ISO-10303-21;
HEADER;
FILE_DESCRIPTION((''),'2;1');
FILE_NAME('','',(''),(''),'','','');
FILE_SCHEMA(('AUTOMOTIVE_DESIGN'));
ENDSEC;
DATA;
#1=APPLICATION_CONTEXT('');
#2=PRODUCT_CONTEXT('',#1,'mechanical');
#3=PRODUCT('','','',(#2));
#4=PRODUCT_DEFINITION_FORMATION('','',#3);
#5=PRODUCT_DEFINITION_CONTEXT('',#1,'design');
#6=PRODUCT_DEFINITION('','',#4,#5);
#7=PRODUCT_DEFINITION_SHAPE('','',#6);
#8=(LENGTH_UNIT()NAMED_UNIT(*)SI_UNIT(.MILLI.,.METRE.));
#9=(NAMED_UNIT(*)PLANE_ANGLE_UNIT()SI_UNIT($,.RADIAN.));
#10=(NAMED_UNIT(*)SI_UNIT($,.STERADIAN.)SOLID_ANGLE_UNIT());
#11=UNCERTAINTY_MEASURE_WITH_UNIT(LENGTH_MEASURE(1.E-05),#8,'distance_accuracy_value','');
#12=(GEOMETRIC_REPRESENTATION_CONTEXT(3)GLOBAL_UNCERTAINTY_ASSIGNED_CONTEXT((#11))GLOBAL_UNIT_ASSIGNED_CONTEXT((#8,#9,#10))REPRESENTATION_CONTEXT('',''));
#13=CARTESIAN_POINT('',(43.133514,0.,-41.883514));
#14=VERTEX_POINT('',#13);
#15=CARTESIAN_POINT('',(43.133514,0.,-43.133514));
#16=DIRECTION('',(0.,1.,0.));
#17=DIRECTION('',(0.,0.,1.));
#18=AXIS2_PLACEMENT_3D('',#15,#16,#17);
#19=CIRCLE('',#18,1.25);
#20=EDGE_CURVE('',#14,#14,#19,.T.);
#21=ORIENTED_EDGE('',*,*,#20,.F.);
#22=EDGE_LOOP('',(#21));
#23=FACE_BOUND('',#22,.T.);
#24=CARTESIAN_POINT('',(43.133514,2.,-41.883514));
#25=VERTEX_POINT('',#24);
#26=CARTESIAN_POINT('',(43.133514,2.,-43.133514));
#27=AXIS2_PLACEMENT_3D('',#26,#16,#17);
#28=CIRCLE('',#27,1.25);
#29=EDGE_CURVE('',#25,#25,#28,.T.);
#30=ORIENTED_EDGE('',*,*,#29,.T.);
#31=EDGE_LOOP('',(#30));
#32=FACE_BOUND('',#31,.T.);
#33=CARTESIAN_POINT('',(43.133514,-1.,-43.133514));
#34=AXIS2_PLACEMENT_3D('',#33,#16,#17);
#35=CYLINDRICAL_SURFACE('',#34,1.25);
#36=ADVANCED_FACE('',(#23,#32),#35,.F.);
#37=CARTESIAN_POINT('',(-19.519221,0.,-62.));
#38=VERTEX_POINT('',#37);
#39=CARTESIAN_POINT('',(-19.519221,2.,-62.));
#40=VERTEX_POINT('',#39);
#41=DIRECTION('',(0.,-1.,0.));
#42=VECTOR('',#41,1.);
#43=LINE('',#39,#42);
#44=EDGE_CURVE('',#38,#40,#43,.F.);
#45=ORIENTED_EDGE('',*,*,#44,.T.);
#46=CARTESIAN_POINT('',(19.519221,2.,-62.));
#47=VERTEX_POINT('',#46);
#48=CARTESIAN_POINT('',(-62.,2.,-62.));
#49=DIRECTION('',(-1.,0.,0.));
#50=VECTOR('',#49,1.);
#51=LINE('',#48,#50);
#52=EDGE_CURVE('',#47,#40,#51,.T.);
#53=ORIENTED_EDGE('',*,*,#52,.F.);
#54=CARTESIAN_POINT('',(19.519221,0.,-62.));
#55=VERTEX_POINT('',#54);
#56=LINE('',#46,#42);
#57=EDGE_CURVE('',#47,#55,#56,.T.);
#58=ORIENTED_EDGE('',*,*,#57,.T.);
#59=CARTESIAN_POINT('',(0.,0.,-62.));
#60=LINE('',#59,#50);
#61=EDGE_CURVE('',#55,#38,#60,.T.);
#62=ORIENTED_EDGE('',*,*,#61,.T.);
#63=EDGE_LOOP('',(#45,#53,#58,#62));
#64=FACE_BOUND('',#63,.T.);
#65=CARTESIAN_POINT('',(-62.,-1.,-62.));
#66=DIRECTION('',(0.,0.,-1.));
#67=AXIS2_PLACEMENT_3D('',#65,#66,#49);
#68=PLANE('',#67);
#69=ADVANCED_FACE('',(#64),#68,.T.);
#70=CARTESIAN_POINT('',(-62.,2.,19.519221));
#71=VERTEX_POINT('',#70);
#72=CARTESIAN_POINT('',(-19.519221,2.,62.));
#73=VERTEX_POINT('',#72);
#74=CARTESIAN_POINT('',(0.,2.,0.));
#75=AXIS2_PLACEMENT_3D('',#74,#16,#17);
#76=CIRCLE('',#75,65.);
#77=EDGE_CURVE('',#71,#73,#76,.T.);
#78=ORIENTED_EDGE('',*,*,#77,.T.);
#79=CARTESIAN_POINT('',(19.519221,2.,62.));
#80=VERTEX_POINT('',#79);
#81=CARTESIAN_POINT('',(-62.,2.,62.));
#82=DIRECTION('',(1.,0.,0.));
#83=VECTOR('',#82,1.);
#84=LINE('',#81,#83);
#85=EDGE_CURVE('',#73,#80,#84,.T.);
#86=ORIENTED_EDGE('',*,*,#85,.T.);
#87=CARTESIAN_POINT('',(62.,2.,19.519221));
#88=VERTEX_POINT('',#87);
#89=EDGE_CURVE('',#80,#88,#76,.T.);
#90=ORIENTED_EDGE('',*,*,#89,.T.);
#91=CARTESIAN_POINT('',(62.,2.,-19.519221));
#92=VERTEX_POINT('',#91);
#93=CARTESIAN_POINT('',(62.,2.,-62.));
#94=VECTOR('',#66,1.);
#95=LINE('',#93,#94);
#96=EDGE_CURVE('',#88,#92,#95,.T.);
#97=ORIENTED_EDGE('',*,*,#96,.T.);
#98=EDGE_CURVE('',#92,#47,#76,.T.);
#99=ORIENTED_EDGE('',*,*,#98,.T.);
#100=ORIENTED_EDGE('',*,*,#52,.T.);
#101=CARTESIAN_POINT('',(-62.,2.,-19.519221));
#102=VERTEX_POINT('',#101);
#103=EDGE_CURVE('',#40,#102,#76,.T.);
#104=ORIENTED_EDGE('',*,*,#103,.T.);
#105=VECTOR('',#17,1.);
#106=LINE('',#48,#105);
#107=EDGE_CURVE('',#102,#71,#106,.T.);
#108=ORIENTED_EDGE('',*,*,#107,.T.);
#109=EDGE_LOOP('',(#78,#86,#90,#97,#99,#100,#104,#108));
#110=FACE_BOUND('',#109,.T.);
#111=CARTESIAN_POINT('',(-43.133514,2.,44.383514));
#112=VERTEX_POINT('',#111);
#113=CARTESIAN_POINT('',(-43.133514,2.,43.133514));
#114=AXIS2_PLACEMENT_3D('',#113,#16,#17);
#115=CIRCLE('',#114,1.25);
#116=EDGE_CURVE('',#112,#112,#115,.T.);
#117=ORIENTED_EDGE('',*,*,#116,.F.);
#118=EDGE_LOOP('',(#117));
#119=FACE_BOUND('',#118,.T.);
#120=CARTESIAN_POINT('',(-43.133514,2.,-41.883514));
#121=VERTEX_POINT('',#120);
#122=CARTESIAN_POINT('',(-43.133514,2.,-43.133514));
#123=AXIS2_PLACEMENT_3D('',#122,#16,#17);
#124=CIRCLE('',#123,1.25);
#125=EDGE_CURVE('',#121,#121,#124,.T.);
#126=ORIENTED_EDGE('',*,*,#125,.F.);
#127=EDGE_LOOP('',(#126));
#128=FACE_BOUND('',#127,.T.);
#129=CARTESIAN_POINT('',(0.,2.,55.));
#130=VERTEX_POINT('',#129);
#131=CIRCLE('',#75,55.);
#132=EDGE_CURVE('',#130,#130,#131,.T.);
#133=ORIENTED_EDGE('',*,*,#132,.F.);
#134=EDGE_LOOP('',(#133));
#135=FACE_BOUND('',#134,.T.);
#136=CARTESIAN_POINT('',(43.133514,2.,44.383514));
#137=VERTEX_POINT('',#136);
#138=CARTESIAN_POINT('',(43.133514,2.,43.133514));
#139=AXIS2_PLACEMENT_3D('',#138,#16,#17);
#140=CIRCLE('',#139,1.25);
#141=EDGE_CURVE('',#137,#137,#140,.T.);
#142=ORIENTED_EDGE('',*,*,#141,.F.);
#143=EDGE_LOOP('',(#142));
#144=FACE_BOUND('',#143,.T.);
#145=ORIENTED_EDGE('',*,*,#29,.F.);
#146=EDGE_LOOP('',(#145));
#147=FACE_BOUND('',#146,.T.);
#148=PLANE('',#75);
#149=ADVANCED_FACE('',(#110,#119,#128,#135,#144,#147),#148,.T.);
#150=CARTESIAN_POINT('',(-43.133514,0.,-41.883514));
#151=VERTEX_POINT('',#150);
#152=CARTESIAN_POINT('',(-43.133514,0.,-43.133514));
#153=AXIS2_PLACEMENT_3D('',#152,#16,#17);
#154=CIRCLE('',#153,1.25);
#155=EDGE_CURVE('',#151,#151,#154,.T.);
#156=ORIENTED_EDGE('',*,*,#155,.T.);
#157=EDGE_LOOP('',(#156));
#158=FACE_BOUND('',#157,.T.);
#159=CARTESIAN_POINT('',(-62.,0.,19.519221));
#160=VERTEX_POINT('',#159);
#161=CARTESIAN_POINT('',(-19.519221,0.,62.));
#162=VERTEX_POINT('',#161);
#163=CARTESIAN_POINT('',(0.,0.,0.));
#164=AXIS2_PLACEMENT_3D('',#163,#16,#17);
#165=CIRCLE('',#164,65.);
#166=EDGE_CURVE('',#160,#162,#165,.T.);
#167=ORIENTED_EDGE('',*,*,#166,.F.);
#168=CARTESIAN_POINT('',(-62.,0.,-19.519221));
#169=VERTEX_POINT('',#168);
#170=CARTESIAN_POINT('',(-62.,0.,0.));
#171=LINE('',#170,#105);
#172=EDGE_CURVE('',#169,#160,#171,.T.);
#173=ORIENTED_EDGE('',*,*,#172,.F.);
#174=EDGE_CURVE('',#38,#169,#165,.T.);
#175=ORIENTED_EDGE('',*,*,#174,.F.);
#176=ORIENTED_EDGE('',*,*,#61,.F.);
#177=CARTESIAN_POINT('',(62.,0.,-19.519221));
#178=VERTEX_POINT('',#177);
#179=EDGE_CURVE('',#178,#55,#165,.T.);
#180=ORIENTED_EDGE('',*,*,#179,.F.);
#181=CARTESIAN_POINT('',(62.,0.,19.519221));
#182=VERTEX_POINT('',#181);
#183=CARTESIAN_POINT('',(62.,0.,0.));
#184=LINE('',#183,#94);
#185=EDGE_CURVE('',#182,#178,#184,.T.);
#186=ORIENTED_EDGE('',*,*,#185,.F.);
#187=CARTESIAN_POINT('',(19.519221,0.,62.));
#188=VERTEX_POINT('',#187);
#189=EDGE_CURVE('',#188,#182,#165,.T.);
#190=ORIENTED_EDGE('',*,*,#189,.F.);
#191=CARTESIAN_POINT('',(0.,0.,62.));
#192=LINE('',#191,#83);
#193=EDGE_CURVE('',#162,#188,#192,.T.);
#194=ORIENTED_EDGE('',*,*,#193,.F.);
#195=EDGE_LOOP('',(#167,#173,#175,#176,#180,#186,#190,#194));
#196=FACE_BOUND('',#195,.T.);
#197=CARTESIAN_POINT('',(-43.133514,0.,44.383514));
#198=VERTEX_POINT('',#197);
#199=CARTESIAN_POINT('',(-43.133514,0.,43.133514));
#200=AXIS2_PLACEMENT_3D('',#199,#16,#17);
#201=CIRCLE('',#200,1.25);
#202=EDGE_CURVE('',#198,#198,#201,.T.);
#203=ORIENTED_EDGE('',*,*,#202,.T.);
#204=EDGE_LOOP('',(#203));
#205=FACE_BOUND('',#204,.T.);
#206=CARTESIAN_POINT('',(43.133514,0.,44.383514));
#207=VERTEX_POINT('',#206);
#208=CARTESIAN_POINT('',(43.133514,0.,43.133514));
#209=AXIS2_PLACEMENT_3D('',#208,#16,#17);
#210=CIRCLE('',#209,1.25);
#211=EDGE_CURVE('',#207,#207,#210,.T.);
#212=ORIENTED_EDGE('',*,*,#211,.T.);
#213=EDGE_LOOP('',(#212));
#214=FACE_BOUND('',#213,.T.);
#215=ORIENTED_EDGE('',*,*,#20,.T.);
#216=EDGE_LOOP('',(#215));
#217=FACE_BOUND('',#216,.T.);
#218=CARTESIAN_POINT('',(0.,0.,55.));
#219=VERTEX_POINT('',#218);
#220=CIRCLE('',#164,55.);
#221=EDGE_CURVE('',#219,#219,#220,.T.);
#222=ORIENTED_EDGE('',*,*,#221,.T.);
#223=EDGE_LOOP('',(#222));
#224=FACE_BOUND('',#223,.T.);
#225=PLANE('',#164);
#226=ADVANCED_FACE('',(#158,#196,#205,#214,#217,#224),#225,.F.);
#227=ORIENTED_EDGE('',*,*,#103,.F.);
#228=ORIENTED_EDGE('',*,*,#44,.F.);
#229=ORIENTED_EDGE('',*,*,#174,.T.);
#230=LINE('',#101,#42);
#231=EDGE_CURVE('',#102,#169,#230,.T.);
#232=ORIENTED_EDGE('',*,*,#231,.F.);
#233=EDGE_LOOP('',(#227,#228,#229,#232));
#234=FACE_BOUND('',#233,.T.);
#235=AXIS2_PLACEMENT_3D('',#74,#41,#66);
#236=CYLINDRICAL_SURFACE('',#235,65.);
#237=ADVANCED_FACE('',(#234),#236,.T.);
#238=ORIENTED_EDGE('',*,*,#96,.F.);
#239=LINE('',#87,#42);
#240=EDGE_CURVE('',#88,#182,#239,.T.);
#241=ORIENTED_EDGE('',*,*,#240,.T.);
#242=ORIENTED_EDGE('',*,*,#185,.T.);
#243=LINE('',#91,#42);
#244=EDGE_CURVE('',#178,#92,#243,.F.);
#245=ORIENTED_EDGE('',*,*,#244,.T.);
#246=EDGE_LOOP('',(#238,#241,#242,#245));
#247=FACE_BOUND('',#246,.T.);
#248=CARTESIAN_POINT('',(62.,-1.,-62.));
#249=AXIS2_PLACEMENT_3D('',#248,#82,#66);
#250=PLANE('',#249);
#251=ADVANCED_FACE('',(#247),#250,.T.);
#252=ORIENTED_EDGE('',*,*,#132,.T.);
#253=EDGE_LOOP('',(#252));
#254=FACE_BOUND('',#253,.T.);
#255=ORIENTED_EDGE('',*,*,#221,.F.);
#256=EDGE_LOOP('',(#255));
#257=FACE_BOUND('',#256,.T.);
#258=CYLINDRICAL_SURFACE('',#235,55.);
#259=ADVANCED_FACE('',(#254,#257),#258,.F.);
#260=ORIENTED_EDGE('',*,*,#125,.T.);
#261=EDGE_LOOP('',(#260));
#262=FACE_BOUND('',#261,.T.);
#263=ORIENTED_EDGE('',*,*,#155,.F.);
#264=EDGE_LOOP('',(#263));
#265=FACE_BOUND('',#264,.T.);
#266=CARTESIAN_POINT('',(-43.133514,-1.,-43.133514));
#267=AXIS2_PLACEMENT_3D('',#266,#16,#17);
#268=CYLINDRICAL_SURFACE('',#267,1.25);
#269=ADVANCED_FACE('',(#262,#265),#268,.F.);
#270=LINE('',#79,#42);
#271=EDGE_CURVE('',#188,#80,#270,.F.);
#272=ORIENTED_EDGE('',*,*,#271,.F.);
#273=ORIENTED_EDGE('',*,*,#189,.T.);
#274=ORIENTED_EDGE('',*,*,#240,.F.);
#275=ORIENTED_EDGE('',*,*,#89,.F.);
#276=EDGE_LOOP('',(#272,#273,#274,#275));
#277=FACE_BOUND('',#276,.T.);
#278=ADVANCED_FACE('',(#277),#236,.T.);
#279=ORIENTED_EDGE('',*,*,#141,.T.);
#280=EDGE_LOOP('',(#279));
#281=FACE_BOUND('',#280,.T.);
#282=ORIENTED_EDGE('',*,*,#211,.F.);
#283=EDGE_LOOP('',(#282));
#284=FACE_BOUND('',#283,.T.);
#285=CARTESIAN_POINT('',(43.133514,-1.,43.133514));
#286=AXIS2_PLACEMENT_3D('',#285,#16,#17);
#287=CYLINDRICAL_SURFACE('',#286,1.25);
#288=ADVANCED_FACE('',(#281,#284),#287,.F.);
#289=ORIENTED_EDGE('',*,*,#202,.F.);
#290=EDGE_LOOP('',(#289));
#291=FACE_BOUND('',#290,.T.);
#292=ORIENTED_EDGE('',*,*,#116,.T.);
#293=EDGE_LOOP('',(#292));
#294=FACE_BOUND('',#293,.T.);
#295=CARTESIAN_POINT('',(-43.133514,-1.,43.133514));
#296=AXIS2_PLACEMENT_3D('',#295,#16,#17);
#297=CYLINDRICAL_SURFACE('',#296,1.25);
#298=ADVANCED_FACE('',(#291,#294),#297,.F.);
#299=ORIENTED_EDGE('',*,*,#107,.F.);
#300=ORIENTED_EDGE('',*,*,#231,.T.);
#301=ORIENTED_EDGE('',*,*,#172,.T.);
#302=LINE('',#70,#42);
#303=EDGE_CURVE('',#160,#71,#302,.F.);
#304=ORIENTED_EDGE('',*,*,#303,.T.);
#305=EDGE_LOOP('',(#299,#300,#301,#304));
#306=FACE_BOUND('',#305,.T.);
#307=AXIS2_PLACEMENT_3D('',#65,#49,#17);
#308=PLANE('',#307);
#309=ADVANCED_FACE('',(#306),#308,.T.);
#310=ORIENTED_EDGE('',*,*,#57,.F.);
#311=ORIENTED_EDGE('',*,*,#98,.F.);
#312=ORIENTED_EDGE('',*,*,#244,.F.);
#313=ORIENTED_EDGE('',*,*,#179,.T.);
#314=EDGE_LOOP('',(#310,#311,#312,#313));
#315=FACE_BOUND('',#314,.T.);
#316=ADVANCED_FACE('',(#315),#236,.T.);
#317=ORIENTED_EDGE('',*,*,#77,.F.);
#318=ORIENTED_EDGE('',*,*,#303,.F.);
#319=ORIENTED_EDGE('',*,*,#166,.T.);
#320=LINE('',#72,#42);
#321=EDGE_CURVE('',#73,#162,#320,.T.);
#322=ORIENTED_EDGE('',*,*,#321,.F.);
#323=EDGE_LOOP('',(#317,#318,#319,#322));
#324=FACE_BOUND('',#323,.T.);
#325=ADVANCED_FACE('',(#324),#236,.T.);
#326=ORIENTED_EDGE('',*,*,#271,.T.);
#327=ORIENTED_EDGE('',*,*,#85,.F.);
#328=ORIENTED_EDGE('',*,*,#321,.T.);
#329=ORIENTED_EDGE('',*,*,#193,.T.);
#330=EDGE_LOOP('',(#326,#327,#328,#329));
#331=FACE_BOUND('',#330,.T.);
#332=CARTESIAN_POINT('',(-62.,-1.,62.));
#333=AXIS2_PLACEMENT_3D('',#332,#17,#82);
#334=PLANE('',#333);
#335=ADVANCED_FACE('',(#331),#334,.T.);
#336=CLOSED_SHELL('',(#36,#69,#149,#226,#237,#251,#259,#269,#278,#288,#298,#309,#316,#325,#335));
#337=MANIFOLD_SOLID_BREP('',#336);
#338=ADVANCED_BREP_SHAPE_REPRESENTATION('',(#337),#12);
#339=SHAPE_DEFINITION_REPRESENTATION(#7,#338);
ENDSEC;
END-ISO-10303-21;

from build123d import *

# Parameters (mm, degrees)
SKETCH_1_R          = 65
SKETCH_1_R_2        = 55
EXTRUDE_1_DEPTH     = 2
SKETCH_3_W          = 168.977595328
SKETCH_3_H          = 144.759308048
SKETCH_3_W_2        = 124
SKETCH_3_H_2        = 124
CUT_EXTRUDE_1_DEPTH = 3
SKETCH_4_R          = 1.25
CUT_EXTRUDE_2_DEPTH = 3


with BuildPart() as part:
    # 草图1 → 凸台-拉伸1 (new body)
    with BuildSketch(Plane(origin=(0, 0, 0), x_dir=(1, 0, 0), z_dir=(0, 1, 0))):
        with Locations(Location((0, 0, 0), (0, 0, 270))):
            Circle(SKETCH_1_R)
        with Locations(Location((0, 0, 0), (0, 0, 270))):
            Circle(SKETCH_1_R_2, mode=Mode.SUBTRACT)
    extrude(amount=EXTRUDE_1_DEPTH)

    # 草图3 → 切除-拉伸1 (cut)
    with BuildSketch(Plane(origin=(0, 2, 0), x_dir=(1, 0, 0), z_dir=(0, 1, 0))):
        Rectangle(SKETCH_3_W, SKETCH_3_H)
        Rectangle(SKETCH_3_W_2, SKETCH_3_H_2, mode=Mode.SUBTRACT)
    extrude(amount=-CUT_EXTRUDE_1_DEPTH, mode=Mode.SUBTRACT)

    # 草图4 → 切除-拉伸2 (cut)
    with BuildSketch(Plane(origin=(0, 2, 0), x_dir=(1, 0, 0), z_dir=(0, 1, 0))):
        with Locations(Location((43.133513652, -43.133513652, 0), (0, 0, 270))):
            Circle(SKETCH_4_R)
        with Locations(Location((-43.133513652, -43.133513652, 0), (0, 0, 270))):
            Circle(SKETCH_4_R)
        with Locations(Location((-43.133513652, 43.133513652, 0), (0, 0, 270))):
            Circle(SKETCH_4_R)
        with Locations(Location((43.133513652, 43.133513652, 0), (0, 0, 270))):
            Circle(SKETCH_4_R)
    extrude(amount=-CUT_EXTRUDE_2_DEPTH, mode=Mode.SUBTRACT)


solid = part.part
